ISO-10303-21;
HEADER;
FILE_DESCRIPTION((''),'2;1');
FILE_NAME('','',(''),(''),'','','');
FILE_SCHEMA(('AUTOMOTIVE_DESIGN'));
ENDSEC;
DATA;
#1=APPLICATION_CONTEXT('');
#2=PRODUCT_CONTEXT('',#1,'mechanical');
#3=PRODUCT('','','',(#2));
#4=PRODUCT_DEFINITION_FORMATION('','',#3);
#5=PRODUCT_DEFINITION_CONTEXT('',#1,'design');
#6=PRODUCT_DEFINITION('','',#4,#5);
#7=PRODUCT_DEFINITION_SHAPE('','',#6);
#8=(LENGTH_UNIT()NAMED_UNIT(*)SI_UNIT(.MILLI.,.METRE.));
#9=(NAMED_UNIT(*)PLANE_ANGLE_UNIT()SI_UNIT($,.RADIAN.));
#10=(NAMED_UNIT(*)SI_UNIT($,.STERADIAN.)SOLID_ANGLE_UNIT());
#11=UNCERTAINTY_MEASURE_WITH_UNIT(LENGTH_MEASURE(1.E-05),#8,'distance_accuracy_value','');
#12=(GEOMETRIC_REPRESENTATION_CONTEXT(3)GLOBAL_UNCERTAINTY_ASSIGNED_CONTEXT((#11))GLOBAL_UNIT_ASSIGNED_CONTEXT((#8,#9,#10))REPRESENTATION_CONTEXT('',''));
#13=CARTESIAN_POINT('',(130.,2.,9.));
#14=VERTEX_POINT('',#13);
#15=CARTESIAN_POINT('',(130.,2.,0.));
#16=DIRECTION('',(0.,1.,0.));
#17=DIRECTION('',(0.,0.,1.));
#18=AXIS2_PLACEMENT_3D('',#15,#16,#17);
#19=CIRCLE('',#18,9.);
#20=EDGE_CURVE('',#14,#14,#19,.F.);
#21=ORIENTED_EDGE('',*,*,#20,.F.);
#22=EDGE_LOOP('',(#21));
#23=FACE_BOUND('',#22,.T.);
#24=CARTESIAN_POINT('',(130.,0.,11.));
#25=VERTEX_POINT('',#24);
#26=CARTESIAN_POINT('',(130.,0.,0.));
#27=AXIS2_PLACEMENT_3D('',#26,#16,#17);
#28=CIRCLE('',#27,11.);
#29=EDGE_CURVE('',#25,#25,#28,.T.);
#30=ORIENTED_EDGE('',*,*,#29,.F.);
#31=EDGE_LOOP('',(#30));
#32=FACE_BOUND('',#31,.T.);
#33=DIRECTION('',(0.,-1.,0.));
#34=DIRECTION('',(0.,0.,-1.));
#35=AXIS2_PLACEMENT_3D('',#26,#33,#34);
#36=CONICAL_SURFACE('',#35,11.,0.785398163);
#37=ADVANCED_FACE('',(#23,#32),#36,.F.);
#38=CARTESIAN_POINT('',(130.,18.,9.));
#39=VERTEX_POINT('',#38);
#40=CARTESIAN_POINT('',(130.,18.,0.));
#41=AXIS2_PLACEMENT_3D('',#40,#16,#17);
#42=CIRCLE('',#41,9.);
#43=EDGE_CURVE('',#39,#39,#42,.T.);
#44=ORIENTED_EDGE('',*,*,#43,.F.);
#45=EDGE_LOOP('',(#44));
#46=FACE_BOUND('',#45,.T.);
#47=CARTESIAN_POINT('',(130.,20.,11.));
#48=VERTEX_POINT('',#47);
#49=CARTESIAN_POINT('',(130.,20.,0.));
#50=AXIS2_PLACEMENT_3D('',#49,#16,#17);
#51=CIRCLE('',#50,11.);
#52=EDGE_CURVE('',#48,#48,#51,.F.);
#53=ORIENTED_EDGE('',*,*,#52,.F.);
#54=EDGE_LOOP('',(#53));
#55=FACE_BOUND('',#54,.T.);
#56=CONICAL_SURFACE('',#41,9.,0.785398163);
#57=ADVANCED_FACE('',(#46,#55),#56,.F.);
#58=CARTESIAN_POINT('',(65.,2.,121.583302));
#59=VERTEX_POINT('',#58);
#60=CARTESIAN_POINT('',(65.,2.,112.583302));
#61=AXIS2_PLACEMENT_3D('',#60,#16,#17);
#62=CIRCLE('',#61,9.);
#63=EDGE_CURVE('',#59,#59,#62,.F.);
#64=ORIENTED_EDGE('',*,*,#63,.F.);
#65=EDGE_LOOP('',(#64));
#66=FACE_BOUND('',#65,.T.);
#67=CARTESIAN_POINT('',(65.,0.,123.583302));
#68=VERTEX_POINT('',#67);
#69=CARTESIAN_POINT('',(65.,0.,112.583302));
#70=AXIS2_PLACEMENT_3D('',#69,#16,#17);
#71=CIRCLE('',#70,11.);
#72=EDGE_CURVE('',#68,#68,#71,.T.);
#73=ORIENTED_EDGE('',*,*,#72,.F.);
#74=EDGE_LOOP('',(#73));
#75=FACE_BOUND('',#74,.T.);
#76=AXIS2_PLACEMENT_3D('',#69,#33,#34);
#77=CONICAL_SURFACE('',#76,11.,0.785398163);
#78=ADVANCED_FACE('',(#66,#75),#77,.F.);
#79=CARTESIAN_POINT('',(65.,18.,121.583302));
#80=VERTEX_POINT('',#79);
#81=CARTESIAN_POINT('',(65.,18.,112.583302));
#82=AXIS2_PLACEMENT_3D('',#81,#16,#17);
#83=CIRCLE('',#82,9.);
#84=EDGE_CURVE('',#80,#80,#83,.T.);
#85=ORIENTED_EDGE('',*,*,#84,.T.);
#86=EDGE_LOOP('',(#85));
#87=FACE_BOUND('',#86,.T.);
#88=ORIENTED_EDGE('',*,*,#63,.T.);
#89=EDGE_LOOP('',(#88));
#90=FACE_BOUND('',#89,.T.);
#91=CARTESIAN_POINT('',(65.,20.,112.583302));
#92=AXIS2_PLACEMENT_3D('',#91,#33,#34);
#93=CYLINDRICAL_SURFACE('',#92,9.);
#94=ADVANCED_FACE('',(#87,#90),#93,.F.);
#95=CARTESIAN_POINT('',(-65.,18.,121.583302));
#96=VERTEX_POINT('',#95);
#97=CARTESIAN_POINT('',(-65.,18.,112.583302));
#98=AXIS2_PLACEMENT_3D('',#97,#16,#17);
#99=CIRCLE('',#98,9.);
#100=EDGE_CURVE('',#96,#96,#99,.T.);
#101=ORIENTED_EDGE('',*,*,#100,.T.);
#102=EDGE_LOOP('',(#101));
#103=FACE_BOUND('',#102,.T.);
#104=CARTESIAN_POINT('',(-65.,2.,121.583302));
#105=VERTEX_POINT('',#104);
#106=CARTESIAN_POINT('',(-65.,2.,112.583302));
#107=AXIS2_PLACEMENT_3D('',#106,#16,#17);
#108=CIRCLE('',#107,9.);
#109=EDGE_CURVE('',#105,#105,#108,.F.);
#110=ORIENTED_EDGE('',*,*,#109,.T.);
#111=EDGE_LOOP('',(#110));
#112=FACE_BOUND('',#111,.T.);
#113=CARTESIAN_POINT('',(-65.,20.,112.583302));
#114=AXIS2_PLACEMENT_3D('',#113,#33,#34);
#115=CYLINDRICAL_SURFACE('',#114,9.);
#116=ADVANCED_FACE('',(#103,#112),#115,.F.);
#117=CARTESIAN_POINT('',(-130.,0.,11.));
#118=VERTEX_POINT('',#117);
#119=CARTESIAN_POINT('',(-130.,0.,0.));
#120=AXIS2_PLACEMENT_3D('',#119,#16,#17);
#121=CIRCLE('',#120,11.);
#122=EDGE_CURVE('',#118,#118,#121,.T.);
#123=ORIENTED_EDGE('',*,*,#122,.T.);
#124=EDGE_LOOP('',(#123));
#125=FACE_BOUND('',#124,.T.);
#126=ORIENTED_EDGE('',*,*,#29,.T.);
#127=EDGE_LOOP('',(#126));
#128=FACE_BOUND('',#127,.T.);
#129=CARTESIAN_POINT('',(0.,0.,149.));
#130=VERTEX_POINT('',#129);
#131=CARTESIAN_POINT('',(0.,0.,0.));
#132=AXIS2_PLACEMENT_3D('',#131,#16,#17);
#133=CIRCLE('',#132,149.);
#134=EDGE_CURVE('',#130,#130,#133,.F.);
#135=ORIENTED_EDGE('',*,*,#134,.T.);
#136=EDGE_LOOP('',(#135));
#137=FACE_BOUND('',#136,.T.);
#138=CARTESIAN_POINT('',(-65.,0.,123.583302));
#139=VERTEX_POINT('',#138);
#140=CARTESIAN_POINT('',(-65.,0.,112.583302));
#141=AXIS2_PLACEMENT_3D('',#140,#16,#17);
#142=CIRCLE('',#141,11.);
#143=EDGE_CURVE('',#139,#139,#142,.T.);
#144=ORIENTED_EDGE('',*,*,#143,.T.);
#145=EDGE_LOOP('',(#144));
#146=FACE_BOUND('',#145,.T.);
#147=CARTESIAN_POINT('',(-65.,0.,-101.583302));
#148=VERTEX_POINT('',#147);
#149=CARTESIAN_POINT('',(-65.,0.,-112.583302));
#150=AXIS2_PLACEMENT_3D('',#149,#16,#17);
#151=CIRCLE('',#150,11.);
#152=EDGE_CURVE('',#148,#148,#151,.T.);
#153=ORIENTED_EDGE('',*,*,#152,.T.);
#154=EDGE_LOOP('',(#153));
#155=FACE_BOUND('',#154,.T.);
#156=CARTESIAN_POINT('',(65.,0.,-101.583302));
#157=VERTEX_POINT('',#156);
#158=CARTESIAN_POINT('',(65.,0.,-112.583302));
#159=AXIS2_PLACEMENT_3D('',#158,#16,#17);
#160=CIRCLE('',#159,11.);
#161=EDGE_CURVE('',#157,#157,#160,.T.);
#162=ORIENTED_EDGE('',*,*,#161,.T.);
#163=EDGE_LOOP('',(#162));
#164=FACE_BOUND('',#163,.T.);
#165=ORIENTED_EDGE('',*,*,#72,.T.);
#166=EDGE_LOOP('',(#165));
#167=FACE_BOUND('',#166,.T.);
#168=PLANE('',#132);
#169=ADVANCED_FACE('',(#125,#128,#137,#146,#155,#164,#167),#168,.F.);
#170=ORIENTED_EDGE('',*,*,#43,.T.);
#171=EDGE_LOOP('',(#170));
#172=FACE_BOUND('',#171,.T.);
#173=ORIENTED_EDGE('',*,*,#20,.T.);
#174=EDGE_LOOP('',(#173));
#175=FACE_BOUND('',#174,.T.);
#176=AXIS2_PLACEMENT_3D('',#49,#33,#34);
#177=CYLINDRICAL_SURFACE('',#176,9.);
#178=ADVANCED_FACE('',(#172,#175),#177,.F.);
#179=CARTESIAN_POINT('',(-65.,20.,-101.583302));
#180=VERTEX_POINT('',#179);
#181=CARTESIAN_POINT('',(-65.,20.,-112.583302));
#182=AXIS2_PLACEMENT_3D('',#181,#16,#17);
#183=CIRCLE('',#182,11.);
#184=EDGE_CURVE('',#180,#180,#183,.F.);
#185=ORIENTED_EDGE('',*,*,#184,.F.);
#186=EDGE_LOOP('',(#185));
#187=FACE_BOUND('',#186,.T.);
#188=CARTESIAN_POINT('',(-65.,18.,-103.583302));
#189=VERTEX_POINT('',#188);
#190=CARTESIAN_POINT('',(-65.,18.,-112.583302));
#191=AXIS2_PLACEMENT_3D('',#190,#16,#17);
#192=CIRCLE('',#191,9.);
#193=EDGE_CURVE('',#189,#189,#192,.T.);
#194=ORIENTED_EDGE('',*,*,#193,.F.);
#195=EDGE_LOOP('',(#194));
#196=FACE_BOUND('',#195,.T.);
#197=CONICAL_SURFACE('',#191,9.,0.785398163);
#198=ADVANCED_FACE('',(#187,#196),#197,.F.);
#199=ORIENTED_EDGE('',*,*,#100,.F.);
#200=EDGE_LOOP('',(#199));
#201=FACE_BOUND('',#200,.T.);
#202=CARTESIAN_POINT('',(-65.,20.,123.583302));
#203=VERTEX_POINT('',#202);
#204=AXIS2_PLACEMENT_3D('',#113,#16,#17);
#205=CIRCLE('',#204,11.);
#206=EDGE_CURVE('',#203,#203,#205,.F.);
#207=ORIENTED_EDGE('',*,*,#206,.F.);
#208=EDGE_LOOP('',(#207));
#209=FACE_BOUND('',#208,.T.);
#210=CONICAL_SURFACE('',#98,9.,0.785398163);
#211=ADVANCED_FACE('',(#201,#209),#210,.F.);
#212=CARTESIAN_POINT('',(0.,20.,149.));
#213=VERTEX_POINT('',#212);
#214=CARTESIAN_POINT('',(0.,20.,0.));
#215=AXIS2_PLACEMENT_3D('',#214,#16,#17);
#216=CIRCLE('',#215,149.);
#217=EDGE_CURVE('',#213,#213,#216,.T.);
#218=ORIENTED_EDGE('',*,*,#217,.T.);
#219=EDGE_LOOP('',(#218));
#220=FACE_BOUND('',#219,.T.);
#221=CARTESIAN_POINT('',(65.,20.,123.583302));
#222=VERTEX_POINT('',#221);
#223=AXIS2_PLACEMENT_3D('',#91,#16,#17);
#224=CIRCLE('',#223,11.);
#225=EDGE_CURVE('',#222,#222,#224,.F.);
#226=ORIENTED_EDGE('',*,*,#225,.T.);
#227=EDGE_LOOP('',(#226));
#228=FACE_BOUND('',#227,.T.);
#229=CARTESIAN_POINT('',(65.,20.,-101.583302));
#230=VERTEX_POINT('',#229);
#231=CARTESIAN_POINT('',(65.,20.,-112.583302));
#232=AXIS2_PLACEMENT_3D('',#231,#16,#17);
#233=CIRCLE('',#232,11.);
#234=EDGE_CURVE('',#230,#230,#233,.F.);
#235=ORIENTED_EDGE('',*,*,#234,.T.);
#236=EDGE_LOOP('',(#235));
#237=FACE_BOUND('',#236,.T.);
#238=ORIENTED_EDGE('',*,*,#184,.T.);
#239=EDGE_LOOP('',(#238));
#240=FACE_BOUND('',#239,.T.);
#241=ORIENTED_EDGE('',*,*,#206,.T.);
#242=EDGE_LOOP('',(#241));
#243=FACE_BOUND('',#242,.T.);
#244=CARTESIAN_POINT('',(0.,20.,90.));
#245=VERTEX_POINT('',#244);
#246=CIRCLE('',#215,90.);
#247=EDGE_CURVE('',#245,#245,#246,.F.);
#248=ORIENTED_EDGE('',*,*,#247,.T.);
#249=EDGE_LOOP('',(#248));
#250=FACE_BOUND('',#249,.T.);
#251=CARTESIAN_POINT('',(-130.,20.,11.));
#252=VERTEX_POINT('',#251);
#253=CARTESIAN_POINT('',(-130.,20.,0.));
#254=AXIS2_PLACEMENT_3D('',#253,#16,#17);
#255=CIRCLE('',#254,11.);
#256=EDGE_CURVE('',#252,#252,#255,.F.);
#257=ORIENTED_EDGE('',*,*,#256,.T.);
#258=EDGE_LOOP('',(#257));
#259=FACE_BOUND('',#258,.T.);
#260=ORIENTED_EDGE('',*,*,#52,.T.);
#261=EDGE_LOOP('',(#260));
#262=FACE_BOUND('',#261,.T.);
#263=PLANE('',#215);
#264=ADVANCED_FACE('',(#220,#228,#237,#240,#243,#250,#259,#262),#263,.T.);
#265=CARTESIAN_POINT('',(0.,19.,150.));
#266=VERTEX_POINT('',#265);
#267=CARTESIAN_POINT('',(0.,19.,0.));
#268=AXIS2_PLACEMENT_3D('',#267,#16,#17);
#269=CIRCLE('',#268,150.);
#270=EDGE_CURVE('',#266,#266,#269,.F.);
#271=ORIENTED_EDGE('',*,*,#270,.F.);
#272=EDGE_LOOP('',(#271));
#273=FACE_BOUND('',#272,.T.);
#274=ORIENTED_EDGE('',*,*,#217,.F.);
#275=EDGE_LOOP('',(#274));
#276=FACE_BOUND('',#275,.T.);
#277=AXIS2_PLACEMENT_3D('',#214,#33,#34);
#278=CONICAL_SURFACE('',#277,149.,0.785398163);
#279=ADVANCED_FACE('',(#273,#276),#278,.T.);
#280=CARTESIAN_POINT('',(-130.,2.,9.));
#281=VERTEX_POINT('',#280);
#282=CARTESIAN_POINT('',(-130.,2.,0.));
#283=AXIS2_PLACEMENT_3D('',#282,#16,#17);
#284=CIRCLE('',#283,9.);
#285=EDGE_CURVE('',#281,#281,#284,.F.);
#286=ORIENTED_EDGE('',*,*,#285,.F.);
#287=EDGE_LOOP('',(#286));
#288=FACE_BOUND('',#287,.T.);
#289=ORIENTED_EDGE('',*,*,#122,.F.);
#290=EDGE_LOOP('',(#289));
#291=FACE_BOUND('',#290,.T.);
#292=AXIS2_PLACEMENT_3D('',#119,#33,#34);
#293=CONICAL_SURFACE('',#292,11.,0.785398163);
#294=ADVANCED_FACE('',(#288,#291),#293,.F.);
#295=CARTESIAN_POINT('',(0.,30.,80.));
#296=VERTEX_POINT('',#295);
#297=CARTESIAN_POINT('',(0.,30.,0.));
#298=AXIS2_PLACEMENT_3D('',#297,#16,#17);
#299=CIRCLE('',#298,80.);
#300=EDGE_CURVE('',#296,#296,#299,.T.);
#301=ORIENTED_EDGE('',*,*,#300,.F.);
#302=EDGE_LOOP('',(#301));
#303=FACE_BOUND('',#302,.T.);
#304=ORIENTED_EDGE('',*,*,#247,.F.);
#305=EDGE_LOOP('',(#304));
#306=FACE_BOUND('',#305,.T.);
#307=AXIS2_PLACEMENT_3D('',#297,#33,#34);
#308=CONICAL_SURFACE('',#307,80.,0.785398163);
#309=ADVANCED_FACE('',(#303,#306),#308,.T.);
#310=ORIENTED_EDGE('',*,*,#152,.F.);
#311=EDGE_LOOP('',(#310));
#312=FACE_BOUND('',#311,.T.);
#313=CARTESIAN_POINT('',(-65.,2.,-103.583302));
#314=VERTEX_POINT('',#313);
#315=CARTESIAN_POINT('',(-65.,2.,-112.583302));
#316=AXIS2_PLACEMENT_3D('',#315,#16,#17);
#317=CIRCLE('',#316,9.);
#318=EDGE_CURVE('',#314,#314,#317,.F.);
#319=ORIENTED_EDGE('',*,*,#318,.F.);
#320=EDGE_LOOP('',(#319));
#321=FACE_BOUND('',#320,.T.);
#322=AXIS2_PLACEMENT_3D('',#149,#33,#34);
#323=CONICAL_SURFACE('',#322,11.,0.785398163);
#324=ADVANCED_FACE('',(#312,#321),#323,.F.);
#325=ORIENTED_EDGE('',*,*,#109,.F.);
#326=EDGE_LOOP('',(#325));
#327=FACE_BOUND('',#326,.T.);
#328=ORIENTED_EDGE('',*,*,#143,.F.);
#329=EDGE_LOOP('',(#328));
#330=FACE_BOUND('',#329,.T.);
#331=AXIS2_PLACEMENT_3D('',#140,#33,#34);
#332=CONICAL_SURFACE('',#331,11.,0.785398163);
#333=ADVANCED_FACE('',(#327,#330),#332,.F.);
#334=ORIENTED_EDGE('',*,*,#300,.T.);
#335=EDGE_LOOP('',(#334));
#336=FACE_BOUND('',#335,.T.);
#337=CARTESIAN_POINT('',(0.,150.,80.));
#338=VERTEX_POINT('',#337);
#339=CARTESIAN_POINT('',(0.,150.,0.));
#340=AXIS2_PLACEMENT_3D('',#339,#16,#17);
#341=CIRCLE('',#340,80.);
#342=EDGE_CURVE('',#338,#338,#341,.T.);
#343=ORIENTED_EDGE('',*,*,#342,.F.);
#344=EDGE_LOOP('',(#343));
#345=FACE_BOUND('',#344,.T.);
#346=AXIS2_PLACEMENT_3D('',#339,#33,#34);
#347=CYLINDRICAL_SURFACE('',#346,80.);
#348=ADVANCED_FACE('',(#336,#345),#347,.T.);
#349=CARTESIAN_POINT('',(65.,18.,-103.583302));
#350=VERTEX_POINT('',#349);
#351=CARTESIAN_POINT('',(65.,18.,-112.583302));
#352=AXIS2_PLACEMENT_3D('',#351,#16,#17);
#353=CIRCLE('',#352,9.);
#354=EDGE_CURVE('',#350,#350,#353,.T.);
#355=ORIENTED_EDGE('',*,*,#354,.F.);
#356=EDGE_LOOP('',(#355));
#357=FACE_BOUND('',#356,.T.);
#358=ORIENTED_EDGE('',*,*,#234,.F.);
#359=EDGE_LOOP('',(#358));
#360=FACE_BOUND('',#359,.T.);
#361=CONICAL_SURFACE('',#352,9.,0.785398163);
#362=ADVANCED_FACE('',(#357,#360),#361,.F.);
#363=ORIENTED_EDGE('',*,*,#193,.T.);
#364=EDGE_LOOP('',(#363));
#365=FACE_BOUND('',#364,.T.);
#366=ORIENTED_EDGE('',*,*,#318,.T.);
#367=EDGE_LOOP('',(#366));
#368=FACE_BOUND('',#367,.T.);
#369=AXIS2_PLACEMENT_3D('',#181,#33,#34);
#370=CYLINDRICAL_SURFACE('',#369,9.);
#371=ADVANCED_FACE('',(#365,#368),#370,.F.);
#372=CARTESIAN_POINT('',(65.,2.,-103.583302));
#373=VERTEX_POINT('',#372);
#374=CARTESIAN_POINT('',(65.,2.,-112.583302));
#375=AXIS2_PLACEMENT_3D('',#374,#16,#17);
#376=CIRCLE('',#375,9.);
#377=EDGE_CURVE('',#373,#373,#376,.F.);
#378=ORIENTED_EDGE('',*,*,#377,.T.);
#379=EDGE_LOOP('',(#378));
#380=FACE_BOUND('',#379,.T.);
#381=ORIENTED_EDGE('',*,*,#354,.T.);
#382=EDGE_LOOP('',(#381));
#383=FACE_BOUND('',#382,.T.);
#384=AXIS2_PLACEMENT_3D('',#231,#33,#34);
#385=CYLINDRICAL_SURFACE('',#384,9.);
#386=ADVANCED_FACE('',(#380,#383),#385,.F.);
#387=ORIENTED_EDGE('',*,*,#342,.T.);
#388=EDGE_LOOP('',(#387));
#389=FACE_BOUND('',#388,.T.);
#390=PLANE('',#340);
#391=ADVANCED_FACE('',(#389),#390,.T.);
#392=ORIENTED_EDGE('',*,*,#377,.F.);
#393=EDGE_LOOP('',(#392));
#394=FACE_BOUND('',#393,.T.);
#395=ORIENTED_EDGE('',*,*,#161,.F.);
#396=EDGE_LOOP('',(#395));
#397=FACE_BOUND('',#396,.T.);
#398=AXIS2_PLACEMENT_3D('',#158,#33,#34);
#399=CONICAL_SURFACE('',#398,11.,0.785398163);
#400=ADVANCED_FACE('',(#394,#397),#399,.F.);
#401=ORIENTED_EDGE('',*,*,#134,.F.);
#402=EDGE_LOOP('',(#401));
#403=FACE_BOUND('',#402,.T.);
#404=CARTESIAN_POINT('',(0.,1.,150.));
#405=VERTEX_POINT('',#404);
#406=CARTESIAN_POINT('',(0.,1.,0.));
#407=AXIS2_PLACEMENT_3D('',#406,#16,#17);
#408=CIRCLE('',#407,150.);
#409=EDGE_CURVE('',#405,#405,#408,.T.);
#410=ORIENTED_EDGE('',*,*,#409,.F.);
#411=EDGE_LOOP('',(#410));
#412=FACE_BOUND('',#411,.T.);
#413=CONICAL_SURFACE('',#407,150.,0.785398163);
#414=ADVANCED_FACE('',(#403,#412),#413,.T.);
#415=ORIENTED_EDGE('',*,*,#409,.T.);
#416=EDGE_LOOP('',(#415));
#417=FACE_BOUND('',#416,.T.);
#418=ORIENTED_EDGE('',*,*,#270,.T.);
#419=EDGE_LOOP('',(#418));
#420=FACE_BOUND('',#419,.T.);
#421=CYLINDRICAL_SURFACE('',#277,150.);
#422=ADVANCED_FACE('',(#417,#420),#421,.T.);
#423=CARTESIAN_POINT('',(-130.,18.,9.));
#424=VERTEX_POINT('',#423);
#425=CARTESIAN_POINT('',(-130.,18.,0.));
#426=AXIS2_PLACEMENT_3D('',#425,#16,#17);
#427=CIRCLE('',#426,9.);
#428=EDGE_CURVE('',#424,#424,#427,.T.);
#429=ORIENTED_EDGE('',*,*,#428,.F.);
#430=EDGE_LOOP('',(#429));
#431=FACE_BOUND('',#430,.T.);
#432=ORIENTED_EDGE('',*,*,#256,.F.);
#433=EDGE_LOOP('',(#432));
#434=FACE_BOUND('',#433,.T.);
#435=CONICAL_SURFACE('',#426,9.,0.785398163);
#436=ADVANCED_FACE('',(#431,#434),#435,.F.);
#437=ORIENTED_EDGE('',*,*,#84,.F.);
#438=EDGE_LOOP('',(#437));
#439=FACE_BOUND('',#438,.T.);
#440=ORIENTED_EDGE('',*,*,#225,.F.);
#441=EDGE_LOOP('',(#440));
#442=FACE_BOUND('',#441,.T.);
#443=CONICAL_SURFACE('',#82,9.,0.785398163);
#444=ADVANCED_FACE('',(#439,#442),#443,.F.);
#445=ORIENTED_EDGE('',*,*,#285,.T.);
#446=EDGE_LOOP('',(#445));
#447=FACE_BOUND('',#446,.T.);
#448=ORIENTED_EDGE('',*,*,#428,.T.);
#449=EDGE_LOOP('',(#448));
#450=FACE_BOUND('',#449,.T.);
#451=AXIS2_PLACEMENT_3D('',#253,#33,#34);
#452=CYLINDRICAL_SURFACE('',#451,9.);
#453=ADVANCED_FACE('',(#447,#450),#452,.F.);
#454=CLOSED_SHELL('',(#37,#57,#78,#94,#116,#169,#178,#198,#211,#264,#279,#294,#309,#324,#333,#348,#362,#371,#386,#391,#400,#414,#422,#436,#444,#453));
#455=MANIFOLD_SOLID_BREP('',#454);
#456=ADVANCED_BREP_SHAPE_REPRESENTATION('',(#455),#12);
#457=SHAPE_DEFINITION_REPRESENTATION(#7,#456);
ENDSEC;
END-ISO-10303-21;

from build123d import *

# Parameters (mm, degrees)
SKIZZE1_R                       = 150
SKIZZE1_R_2                     = 9
AUFSATZ_LINEAR_AUSTRAGEN1_DEPTH = 20
SKIZZE3_R                       = 80
AUFSATZ_LINEAR_AUSTRAGEN2_DEPTH = 130
FASE1_SIZE                      = 1
FASE2_SIZE                      = 10
FASE3_SIZE                      = 2


with BuildPart() as part:
    # Skizze1 → Aufsatz-Linear austragen1 (new body)
    with BuildSketch(Plane(origin=(0, 0, 0), x_dir=(1, 0, 0), z_dir=(0, 1, 0))):
        with Locations(Location((0, 0, 0), (0, 0, 270))):
            Circle(SKIZZE1_R)
        with Locations(Location((130, 0, 0), (0, 0, 270))):
            Circle(SKIZZE1_R_2, mode=Mode.SUBTRACT)
        with Locations(Location((65, -112.583302492, 0), (0, 0, 270))):
            Circle(SKIZZE1_R_2, mode=Mode.SUBTRACT)
        with Locations(Location((-65, -112.583302492, 0), (0, 0, 270))):
            Circle(SKIZZE1_R_2, mode=Mode.SUBTRACT)
        with Locations(Location((-130, 0, 0), (0, 0, 270))):
            Circle(SKIZZE1_R_2, mode=Mode.SUBTRACT)
        with Locations(Location((-65, 112.583302492, 0), (0, 0, 270))):
            Circle(SKIZZE1_R_2, mode=Mode.SUBTRACT)
        with Locations(Location((65, 112.583302492, 0), (0, 0, 270))):
            Circle(SKIZZE1_R_2, mode=Mode.SUBTRACT)
    extrude(amount=AUFSATZ_LINEAR_AUSTRAGEN1_DEPTH)

    # Skizze3 → Aufsatz-Linear austragen2 (add)
    with BuildSketch(Plane(origin=(0, 20, 0), x_dir=(1, 0, 0), z_dir=(0, 1, 0))):
        with Locations(Location((0, 0, 0), (0, 0, 270))):
            Circle(SKIZZE3_R)
    extrude(amount=AUFSATZ_LINEAR_AUSTRAGEN2_DEPTH)

    # Fase1
    fase1_edges = [part.edges().sort_by_distance(p)[0] for p in [
        (0, 0, -150),
        (0, 20, -150),
    ]]
    chamfer(fase1_edges, length=FASE1_SIZE)

    # Fase2
    fase2_edges = [part.edges().sort_by_distance(p)[0] for p in [
        (0, 20, -80),
    ]]
    chamfer(fase2_edges, length=FASE2_SIZE)

    # Fase3
    fase3_edges = [part.edges().sort_by_distance(p)[0] for p in [
        (-65, 0, 103.583302492),
        (-65, 20, 103.583302492),
        (-130, 0, -9),
        (-130, 20, -9),
        (-65, 0, -121.583302492),
        (-65, 20, -121.583302492),
        (65, 0, -121.583302492),
        (65, 20, -121.583302492),
        (130, 0, -9),
        (130, 20, -9),
        (65, 0, 103.583302492),
        (65, 20, 103.583302492),
    ]]
    chamfer(fase3_edges, length=FASE3_SIZE)


solid = part.part
